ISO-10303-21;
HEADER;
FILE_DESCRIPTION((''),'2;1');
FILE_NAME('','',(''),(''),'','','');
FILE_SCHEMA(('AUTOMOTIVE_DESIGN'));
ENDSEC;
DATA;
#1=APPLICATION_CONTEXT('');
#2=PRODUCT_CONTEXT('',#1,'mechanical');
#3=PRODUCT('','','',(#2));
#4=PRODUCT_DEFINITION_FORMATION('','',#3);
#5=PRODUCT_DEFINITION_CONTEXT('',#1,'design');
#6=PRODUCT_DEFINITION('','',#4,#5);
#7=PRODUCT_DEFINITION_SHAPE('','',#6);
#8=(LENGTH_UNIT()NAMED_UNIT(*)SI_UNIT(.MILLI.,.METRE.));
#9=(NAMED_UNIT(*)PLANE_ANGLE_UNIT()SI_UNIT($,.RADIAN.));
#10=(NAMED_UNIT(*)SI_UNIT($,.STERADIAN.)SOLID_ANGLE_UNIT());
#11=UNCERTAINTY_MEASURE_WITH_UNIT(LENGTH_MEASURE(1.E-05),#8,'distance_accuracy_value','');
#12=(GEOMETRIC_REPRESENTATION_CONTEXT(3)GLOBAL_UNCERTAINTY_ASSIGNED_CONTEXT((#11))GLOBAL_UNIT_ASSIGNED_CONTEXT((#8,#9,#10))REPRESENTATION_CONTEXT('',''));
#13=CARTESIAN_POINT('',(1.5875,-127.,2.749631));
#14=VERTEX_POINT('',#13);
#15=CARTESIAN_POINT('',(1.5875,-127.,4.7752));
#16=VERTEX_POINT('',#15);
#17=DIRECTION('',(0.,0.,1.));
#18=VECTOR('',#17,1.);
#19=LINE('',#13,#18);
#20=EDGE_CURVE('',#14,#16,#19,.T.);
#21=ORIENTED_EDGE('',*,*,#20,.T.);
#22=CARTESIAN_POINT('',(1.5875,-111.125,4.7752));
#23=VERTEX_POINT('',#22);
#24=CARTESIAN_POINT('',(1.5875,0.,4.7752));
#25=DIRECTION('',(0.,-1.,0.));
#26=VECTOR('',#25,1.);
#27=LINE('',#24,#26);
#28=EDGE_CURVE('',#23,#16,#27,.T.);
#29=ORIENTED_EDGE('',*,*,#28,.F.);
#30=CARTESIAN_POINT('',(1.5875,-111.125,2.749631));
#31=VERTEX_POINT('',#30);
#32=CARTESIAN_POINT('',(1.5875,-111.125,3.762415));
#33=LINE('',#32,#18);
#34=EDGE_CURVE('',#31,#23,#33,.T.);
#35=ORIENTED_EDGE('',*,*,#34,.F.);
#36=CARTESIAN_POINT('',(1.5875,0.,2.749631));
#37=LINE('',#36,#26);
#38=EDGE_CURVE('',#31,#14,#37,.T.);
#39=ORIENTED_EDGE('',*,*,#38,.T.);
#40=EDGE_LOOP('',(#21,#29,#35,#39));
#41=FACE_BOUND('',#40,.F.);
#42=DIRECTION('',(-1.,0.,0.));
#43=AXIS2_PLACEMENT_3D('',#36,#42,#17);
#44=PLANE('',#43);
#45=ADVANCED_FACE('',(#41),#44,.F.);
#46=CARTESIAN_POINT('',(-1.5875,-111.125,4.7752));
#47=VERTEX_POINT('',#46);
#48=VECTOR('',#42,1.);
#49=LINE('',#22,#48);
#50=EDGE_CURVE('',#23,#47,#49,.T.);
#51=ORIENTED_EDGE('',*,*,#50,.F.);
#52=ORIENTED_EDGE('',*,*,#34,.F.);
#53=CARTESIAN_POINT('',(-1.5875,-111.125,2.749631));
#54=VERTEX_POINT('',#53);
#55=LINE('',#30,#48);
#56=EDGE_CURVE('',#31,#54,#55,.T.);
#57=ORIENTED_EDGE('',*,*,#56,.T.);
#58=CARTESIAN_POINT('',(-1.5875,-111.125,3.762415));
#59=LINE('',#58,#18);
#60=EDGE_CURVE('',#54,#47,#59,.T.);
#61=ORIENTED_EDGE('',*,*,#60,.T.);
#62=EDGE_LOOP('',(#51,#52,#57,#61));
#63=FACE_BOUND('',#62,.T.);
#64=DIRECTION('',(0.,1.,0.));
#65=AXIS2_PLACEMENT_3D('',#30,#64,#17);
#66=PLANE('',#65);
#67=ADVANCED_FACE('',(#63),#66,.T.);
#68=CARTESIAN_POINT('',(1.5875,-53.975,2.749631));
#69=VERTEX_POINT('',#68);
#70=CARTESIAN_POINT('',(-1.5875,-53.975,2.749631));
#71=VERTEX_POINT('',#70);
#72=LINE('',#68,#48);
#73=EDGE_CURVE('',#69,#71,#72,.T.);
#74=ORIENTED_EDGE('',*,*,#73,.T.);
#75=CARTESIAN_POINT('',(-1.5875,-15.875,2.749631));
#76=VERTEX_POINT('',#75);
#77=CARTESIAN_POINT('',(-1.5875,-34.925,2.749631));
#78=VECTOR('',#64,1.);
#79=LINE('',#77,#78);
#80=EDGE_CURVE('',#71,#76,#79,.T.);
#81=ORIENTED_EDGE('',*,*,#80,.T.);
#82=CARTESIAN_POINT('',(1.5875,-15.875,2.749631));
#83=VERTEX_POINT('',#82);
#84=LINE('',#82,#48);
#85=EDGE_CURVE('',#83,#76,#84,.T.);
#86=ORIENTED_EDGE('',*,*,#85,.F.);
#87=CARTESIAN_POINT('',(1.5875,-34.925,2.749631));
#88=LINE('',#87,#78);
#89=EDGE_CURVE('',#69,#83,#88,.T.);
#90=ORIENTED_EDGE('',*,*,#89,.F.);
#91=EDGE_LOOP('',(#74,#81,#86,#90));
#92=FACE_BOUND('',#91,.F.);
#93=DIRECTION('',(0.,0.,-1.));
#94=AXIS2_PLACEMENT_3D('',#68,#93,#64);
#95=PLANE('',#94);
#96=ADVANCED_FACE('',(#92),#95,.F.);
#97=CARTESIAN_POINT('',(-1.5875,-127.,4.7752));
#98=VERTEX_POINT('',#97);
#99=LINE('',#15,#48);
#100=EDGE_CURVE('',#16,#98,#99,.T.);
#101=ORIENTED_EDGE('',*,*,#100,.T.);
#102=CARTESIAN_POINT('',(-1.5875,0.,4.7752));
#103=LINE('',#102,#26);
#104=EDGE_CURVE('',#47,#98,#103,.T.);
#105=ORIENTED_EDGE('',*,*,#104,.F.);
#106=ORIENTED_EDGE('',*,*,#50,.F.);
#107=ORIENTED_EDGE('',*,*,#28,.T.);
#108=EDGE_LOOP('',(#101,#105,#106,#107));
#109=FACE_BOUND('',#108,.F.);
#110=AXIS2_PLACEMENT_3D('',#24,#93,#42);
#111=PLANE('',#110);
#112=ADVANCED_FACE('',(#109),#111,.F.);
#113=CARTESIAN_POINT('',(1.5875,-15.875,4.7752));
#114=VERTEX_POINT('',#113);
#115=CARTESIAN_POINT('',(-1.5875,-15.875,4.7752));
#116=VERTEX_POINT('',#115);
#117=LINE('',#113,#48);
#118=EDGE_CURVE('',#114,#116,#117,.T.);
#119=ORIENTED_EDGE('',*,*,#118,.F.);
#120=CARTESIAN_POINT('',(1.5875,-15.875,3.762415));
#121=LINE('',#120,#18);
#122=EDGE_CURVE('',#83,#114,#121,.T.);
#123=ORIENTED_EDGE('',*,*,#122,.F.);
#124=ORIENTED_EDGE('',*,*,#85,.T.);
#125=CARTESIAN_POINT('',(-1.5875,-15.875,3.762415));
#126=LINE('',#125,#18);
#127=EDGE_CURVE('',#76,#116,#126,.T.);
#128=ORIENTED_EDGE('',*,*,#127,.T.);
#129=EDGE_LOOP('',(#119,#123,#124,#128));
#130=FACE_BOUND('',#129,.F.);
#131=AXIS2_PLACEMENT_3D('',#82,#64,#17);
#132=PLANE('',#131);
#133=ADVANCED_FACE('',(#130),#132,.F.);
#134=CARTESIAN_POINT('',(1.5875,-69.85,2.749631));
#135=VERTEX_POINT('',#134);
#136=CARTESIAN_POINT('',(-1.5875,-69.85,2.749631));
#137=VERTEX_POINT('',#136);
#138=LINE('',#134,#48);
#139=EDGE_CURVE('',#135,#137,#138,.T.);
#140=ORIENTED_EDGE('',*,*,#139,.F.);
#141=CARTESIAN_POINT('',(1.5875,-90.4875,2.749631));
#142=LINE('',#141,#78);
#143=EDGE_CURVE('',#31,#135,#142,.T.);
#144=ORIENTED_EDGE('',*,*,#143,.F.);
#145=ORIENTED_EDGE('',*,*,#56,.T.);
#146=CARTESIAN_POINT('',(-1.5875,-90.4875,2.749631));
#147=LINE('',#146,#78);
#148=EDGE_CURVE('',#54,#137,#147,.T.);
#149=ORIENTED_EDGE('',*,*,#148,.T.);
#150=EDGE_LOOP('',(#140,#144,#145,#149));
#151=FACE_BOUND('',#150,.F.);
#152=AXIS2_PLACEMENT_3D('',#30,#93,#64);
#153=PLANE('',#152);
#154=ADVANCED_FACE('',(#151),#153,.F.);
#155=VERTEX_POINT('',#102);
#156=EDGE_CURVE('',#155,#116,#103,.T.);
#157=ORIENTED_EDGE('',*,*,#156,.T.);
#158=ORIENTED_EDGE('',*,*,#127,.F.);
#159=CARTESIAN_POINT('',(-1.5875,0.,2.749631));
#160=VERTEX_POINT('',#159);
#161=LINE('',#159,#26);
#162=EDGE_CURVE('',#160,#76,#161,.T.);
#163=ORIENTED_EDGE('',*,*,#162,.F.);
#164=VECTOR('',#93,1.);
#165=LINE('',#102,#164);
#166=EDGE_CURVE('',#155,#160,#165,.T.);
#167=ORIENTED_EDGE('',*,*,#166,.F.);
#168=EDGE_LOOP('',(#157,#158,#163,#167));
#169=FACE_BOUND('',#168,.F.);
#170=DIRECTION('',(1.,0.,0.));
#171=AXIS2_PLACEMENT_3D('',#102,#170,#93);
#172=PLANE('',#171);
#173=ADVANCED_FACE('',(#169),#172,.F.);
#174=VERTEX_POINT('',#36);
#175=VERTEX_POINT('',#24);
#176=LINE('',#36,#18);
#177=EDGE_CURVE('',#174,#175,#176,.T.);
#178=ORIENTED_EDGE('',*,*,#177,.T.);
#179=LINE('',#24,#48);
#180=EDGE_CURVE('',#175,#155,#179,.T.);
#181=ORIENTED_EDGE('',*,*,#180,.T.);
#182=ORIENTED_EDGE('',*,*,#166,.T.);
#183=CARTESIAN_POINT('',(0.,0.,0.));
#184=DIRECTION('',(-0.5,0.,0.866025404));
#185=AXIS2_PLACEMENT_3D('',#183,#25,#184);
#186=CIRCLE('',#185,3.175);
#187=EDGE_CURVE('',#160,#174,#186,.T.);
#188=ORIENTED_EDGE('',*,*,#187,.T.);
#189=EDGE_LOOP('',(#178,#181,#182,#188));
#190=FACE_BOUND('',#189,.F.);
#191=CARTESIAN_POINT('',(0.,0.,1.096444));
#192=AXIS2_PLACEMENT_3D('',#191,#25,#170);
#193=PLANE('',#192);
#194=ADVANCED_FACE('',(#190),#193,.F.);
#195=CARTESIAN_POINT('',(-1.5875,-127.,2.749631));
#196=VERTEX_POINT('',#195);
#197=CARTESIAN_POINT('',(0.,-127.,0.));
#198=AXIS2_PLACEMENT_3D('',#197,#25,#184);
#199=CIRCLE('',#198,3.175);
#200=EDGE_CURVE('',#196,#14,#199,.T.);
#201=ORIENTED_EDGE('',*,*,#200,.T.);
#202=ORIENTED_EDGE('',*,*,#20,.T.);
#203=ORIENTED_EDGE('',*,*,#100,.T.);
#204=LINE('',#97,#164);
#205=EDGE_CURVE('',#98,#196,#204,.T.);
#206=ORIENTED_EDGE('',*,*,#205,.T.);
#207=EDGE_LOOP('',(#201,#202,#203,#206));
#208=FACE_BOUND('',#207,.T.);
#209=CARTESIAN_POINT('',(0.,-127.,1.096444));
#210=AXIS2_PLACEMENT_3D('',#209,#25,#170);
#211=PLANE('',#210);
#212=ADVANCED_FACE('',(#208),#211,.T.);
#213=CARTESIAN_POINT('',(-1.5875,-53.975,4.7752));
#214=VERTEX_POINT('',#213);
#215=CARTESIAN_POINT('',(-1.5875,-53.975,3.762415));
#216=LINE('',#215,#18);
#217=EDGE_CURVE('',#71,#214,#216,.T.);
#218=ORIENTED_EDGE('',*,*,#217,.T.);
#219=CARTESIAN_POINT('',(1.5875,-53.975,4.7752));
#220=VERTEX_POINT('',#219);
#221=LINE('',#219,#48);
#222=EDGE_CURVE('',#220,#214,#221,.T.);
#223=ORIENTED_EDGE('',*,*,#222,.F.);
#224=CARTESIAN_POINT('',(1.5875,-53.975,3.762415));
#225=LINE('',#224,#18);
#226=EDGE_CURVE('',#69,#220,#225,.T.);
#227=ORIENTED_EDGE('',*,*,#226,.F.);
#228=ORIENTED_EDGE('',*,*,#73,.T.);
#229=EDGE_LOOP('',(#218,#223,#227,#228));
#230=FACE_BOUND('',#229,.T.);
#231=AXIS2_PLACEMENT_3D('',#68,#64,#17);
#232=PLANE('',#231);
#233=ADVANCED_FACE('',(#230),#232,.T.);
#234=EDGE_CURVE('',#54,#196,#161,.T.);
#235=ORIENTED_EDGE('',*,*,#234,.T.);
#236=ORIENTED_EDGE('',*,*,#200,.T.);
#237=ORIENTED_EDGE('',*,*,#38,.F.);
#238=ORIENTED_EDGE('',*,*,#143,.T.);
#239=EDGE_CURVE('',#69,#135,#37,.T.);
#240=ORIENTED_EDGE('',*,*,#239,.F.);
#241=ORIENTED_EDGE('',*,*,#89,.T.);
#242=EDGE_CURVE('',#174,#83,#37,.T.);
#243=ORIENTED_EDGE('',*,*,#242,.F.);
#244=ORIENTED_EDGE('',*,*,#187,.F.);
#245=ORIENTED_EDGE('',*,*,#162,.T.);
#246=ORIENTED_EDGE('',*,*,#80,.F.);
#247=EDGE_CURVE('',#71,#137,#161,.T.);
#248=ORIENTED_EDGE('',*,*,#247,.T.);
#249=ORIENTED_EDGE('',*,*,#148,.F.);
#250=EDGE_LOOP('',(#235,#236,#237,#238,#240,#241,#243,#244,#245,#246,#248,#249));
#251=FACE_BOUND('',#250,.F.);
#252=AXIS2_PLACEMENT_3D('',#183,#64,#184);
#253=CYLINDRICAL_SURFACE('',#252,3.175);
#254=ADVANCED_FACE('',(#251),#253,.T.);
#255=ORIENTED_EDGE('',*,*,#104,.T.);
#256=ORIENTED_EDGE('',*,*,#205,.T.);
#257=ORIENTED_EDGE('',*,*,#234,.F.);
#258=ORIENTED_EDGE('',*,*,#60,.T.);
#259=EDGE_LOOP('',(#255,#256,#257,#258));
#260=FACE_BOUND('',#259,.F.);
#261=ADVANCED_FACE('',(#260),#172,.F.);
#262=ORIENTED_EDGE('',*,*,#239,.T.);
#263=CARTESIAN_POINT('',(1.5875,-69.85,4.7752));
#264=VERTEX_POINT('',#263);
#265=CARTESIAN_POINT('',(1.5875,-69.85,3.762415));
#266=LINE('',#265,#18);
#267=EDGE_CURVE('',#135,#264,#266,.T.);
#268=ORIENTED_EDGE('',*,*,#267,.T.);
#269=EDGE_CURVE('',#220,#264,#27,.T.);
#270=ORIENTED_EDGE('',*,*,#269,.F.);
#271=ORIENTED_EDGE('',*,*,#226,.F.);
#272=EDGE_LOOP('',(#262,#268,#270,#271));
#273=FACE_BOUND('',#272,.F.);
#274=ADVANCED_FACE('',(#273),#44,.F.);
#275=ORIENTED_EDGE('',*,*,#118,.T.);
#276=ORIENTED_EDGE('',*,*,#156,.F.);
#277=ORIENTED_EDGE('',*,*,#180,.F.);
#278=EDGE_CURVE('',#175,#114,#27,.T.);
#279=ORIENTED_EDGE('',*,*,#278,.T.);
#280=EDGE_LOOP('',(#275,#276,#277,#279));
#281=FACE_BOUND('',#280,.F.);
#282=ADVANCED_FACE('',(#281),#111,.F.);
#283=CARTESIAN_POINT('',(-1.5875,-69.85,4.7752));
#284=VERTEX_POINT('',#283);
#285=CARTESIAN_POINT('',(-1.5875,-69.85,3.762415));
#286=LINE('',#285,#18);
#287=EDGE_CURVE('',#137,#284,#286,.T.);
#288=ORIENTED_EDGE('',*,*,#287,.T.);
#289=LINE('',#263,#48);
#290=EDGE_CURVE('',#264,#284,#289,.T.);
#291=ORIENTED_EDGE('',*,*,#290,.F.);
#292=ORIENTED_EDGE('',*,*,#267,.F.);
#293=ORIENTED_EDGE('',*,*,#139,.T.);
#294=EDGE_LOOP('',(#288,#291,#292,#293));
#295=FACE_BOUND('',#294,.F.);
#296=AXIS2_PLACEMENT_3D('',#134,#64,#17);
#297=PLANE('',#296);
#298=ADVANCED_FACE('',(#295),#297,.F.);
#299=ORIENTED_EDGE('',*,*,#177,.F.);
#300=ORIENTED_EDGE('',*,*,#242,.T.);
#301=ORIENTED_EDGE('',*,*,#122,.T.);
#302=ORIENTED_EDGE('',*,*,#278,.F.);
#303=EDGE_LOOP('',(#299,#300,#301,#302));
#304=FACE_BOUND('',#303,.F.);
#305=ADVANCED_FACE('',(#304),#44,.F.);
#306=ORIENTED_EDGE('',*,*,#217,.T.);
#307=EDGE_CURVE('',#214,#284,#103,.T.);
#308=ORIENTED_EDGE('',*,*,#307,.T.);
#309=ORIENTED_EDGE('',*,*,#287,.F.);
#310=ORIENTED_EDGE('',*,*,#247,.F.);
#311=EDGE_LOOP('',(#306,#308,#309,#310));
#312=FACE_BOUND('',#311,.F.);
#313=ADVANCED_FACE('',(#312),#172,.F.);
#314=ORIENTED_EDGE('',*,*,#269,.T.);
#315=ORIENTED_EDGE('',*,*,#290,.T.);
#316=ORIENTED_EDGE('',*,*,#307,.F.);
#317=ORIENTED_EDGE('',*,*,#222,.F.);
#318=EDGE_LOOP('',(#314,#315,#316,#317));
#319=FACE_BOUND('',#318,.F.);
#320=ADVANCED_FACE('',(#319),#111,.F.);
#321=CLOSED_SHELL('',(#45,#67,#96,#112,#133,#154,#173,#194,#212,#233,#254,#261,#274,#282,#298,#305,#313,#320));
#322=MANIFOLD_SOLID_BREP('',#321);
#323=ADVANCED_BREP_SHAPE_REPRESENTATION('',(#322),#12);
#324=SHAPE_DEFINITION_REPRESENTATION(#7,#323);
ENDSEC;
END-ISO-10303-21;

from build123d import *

# Parameters (mm, degrees)
F1_DEPTH = 127
F2_W     = 41.275
F2_H     = 2.025569343
F2_W_2   = 38.1
F3_DEPTH = 3.175


with BuildPart() as f1:
    # F0 (on Front) → F1 (new body)
    with BuildSketch(Plane.XZ):
        with BuildLine():
            Line((-1.5875, 4.7752), (-1.5875, 2.749630657))
            ThreePointArc((-1.5875, 2.749630657), (0, -3.175), (1.5875, 2.749630657))
            Line((1.5875, 2.749630657), (1.5875, 4.7752))
            Line((1.5875, 4.7752), (-1.5875, 4.7752))
        make_face()
    extrude(amount=F1_DEPTH)

    # F2 (on face) → F3 (cut)
    with BuildSketch(Plane.YZ.offset(1.5875)):
        with Locations((-90.4875, 3.7624153285)):
            Rectangle(F2_W, F2_H)
        with Locations((-34.925, 3.7624153285)):
            Rectangle(F2_W_2, F2_H)
    extrude(amount=-F3_DEPTH, mode=Mode.SUBTRACT)


solid = f1.part
